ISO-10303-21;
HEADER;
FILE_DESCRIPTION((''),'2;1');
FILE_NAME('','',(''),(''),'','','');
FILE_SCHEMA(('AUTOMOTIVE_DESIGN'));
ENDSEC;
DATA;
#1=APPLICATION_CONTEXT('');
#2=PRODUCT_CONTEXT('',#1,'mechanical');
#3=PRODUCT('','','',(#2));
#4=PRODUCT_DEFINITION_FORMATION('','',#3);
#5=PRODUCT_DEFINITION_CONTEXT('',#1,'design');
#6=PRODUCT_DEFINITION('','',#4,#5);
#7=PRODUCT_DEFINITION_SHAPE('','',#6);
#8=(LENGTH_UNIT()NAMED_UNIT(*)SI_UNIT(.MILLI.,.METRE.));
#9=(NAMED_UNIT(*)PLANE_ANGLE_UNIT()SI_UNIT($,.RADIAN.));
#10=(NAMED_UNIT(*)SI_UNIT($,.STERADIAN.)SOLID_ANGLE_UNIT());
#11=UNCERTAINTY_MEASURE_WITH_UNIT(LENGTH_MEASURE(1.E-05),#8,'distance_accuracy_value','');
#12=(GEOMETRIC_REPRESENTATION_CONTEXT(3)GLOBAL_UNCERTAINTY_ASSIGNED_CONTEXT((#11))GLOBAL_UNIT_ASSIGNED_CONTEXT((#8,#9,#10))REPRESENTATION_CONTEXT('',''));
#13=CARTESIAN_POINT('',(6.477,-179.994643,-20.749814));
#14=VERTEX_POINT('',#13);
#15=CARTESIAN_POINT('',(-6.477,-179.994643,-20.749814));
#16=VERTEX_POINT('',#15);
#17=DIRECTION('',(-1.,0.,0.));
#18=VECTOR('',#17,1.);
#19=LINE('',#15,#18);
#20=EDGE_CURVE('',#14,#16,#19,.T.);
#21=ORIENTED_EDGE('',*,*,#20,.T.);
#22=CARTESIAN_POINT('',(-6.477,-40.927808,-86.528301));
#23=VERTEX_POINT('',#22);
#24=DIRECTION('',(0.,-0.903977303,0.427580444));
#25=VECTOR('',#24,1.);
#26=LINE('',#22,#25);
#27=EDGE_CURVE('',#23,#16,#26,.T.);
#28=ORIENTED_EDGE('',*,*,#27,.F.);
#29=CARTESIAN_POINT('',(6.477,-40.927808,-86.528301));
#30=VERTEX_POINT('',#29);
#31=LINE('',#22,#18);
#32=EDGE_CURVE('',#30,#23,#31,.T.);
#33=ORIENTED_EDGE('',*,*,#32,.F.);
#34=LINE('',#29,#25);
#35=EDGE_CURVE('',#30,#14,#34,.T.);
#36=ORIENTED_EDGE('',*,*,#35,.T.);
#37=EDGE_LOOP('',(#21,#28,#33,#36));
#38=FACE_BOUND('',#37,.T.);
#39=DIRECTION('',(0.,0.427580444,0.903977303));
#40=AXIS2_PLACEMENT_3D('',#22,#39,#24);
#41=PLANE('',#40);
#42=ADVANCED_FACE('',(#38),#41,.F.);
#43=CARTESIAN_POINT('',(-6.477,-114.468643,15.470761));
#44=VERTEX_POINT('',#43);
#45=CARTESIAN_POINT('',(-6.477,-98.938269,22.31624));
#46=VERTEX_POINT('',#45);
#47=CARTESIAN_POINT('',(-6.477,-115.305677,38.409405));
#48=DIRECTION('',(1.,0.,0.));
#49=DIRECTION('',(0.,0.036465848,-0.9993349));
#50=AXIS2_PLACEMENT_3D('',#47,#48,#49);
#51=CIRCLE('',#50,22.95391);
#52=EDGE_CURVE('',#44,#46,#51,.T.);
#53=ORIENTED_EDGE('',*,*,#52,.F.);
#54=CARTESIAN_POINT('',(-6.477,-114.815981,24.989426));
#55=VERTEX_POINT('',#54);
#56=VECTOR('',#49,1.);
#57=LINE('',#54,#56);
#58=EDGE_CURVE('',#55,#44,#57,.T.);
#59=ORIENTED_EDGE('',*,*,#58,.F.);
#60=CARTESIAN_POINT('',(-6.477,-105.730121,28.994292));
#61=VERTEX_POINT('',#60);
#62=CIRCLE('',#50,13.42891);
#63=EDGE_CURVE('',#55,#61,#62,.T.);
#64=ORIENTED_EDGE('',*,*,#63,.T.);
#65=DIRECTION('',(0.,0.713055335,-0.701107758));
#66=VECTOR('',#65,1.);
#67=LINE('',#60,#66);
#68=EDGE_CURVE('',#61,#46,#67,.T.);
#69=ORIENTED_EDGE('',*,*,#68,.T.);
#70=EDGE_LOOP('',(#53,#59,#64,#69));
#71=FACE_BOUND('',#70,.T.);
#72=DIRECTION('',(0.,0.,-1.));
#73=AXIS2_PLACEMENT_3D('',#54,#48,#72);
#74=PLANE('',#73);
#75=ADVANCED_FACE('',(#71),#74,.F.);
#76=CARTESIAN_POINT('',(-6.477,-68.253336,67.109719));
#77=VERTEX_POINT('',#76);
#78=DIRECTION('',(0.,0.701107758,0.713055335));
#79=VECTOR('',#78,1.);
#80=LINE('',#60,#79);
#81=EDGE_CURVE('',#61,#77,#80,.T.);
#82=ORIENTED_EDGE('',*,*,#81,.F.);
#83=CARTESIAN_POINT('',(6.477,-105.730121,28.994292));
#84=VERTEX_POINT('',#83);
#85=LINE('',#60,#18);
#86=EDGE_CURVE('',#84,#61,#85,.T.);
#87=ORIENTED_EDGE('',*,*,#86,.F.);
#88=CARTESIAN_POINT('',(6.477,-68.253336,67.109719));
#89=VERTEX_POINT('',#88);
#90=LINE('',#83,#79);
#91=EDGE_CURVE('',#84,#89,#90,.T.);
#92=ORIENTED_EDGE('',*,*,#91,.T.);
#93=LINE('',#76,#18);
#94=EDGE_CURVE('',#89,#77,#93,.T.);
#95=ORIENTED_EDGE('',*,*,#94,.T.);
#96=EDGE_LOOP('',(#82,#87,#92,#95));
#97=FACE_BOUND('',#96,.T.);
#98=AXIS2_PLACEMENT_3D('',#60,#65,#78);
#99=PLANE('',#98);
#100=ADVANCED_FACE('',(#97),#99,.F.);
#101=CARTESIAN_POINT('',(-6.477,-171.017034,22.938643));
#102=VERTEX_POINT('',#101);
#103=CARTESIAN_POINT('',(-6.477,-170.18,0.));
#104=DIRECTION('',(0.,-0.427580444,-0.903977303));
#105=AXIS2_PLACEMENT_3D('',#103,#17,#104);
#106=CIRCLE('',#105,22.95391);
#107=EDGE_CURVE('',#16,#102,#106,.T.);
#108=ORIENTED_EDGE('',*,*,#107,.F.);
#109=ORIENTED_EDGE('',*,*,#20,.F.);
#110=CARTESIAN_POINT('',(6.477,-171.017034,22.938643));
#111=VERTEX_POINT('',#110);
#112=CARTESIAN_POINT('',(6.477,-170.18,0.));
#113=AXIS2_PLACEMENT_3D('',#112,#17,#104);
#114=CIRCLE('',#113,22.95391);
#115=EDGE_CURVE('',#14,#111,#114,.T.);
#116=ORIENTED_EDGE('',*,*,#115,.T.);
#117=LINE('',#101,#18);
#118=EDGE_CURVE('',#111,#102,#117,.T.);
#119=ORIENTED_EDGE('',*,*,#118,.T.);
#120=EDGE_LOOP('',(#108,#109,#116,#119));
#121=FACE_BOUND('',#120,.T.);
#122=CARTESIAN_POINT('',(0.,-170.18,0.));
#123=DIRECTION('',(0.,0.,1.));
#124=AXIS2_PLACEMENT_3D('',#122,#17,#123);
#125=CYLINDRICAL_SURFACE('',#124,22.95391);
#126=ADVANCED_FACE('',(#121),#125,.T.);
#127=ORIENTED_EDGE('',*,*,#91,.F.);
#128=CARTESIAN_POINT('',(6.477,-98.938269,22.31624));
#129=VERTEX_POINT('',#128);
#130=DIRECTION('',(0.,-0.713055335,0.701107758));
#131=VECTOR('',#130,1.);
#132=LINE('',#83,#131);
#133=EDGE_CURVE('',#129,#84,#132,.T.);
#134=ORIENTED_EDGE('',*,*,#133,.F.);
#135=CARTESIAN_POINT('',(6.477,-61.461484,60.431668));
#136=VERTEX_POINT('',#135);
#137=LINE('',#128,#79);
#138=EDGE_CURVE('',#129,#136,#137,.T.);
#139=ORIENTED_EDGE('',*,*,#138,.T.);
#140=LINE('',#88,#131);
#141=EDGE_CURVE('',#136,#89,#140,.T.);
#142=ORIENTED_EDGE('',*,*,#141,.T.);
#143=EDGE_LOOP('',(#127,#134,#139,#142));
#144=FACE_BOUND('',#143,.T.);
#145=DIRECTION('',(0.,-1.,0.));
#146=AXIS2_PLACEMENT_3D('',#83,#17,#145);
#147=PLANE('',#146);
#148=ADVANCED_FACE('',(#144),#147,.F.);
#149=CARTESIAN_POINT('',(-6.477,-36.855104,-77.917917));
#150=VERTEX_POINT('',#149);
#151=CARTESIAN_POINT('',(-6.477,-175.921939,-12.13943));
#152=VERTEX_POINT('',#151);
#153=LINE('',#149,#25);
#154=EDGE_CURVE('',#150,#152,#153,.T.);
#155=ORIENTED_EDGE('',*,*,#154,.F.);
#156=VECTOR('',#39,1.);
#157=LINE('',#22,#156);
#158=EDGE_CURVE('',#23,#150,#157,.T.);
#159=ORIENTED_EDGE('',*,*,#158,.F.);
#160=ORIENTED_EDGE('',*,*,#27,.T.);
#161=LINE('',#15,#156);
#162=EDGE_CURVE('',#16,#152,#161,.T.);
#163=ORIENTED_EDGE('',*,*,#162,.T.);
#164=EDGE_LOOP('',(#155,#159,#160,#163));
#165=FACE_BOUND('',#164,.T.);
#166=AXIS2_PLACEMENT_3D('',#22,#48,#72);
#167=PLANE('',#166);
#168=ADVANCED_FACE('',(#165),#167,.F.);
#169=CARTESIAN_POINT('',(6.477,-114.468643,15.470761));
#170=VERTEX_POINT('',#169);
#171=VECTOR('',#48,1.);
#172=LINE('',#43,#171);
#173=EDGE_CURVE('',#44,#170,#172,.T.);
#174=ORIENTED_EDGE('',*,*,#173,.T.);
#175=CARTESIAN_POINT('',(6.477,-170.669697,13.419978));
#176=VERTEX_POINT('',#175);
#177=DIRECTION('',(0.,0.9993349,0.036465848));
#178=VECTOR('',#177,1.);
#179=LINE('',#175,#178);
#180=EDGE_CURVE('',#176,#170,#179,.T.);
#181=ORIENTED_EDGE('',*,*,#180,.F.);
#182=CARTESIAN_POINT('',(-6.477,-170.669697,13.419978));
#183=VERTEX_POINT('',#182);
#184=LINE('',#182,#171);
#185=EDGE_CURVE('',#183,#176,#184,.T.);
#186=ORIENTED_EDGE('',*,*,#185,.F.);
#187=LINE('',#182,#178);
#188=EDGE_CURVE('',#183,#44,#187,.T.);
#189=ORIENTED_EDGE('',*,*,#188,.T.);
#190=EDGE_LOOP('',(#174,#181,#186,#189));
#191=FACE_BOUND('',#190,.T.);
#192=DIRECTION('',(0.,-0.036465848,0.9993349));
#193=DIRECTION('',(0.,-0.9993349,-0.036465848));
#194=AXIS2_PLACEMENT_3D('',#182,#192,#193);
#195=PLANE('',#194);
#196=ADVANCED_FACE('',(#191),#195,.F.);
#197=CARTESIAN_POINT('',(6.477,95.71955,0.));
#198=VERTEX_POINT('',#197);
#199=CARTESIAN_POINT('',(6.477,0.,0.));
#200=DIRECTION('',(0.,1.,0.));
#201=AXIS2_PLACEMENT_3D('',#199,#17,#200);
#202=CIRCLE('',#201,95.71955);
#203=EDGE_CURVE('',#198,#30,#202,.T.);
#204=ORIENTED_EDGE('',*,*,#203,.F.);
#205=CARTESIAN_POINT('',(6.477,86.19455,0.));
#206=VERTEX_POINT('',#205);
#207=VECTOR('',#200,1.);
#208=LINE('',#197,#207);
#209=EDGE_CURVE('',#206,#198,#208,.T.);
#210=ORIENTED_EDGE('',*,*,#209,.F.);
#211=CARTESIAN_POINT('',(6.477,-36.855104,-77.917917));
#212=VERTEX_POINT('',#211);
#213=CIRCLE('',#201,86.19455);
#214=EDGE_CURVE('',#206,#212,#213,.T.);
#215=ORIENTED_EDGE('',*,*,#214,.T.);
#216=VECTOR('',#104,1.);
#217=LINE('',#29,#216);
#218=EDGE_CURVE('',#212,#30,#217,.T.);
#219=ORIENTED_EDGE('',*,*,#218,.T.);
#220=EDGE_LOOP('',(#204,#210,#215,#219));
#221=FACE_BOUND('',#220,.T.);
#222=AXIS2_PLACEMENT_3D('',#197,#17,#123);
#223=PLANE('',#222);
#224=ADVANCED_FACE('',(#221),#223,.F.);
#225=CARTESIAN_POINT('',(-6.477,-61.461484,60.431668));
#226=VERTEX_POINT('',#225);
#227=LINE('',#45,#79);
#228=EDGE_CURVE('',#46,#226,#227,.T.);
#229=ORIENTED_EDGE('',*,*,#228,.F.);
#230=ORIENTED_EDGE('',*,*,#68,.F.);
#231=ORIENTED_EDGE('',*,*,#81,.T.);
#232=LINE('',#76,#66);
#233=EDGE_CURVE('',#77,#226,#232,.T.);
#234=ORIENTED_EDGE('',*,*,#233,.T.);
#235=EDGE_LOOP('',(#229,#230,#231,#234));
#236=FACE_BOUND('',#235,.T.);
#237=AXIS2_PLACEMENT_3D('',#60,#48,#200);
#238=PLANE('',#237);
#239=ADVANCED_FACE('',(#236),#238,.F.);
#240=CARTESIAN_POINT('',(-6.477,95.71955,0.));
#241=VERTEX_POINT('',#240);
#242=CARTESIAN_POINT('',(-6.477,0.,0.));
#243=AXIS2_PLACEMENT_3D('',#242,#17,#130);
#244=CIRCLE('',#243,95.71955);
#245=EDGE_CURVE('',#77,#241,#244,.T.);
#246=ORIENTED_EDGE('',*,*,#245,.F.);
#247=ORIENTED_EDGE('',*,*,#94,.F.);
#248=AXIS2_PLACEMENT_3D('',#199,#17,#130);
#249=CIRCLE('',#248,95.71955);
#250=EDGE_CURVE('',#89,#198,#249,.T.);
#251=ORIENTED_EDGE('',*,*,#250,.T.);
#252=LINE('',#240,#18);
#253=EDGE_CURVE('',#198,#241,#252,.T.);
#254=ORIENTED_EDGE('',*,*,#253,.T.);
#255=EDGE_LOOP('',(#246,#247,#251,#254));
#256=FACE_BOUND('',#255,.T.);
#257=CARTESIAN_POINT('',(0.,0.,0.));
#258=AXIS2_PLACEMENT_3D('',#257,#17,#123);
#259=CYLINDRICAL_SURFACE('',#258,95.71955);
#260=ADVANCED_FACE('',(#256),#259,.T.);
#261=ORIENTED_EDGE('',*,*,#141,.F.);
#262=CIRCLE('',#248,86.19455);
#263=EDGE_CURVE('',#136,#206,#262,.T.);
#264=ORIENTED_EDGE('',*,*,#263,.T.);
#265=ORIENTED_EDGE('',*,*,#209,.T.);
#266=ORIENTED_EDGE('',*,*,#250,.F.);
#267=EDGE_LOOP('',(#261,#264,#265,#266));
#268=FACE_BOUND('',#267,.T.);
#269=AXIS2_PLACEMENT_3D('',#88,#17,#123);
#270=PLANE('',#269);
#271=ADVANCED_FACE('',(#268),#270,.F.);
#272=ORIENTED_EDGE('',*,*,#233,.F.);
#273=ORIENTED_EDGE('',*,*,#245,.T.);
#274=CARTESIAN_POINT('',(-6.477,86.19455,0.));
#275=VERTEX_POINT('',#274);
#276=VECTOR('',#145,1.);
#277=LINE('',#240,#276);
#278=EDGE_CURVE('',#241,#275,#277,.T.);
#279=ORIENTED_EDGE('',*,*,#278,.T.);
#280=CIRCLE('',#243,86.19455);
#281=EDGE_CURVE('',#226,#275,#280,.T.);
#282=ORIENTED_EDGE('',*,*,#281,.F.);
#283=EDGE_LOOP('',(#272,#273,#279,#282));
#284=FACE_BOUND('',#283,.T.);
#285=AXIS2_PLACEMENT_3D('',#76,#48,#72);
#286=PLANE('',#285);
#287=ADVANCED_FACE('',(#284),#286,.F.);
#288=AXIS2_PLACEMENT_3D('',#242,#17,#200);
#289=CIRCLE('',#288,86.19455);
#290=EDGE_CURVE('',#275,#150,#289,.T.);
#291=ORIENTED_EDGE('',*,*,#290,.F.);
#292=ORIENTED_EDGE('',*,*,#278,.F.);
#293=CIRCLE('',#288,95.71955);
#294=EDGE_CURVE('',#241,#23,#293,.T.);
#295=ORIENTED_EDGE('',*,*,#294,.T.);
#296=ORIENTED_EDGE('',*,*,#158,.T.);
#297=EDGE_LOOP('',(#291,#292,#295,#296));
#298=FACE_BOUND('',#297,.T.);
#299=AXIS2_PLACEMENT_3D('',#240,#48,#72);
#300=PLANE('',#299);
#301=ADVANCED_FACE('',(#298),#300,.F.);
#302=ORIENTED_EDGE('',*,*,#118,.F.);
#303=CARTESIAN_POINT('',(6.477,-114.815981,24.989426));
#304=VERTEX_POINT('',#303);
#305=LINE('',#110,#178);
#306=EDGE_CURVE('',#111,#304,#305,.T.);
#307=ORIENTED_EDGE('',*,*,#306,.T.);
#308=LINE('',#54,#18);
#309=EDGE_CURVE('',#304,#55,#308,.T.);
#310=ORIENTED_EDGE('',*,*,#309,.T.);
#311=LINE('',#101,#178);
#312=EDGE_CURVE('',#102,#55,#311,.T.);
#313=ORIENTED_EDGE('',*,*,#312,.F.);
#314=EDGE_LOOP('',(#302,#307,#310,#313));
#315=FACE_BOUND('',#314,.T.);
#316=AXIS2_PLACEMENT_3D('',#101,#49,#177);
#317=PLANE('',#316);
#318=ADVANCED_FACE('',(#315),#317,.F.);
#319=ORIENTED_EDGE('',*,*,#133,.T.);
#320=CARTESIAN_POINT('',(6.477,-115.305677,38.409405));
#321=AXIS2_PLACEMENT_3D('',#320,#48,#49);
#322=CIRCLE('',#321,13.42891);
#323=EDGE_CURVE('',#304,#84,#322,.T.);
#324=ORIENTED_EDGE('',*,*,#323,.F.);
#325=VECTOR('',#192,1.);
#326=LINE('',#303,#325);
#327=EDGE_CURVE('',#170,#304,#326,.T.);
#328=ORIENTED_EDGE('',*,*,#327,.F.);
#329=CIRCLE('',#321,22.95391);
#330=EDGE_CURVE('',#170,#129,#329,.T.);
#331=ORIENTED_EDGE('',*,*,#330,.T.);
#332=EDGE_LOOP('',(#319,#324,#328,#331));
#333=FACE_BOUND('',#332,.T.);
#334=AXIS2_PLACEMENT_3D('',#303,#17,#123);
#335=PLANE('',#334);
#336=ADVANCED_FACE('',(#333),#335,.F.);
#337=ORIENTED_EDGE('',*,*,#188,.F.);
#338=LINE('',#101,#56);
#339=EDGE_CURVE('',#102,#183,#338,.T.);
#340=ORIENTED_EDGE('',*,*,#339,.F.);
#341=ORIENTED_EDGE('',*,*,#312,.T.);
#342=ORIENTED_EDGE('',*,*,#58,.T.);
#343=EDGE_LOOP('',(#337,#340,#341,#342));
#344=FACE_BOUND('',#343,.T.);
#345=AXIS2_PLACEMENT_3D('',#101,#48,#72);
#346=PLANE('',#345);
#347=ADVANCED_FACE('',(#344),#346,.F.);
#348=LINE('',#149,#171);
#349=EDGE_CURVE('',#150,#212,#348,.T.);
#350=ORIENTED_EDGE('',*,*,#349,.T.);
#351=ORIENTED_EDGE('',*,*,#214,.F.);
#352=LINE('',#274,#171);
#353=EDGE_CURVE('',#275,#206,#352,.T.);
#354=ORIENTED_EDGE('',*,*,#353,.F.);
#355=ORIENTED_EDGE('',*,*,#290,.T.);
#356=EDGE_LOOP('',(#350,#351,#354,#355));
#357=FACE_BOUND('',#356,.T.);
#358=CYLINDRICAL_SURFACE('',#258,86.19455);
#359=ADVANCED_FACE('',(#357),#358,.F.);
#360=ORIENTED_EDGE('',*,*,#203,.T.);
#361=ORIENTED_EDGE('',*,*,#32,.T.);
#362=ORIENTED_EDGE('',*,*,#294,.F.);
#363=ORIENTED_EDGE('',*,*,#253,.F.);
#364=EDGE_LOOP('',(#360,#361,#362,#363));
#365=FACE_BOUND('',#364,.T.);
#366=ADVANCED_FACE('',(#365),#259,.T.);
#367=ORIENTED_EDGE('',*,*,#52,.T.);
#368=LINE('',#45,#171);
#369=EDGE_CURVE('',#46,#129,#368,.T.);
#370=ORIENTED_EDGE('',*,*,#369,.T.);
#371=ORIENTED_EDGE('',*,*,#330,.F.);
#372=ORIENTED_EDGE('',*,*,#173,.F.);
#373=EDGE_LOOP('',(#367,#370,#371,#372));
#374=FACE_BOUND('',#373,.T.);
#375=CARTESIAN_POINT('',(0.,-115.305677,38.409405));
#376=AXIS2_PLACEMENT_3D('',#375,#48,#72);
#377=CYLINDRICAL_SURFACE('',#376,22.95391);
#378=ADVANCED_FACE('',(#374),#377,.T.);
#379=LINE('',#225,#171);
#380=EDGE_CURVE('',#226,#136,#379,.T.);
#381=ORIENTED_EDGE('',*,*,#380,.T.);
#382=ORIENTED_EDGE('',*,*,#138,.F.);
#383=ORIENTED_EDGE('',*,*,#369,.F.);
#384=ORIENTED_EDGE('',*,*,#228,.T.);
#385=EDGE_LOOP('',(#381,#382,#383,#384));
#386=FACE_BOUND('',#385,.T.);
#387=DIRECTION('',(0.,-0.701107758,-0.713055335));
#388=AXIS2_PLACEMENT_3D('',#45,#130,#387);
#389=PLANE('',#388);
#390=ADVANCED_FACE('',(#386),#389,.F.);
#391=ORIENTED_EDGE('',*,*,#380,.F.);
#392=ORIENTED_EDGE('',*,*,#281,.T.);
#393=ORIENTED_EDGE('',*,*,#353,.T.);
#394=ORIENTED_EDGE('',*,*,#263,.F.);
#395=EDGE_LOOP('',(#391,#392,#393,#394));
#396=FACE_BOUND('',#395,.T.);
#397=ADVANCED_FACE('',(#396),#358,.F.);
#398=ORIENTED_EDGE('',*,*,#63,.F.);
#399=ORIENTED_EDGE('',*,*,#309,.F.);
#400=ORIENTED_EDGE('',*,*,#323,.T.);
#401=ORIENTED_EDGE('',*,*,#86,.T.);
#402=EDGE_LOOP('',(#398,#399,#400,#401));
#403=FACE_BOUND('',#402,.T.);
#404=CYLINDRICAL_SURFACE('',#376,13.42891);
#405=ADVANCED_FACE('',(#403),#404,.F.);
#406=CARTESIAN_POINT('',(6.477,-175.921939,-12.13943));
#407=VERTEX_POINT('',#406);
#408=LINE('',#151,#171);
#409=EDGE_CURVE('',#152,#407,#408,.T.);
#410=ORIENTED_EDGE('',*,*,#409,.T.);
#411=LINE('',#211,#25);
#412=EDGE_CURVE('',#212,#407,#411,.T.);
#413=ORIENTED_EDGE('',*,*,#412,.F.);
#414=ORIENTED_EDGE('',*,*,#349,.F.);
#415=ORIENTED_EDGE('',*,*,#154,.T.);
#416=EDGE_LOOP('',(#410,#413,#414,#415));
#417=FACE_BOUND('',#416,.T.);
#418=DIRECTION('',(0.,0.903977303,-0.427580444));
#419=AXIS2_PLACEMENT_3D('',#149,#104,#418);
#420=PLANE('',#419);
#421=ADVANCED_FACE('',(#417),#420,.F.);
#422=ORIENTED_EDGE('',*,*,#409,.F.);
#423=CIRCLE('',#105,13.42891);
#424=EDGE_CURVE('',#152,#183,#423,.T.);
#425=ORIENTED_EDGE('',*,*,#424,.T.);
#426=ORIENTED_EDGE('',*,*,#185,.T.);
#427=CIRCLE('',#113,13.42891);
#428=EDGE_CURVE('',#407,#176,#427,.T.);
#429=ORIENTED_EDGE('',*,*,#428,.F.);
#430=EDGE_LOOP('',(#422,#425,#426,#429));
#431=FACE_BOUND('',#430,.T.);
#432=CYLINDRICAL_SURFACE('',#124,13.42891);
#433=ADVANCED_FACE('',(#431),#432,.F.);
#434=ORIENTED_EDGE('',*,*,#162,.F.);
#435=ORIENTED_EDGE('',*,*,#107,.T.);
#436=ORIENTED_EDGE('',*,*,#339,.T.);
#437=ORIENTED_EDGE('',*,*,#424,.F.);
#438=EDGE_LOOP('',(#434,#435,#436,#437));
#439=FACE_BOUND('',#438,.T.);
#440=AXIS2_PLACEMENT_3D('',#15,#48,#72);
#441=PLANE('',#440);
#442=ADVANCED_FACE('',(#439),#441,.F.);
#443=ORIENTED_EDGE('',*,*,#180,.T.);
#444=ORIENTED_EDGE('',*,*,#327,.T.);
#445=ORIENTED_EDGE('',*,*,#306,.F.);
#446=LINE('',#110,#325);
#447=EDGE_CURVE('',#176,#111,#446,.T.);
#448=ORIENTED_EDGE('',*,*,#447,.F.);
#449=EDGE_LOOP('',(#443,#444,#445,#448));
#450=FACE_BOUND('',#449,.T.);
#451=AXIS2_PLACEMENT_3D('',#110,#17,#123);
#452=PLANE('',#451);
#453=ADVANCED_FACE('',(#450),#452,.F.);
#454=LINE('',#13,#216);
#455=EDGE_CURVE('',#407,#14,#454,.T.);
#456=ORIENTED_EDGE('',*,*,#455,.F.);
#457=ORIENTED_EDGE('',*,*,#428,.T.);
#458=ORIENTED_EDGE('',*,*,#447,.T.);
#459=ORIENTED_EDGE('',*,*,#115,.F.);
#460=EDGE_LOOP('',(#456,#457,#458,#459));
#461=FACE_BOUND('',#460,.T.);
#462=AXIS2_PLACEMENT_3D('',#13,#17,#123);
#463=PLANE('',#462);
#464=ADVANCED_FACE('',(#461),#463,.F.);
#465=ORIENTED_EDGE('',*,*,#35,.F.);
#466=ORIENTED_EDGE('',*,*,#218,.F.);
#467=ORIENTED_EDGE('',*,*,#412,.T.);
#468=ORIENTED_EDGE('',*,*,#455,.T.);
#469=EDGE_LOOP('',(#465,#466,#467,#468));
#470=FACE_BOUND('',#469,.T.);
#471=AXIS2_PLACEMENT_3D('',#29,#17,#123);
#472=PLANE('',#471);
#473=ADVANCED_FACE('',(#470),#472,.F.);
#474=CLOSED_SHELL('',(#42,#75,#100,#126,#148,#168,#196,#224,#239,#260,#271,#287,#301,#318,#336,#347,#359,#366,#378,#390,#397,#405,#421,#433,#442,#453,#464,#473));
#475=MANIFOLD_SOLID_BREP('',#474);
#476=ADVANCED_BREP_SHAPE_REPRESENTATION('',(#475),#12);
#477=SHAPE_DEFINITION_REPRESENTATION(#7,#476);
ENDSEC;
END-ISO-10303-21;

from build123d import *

# Parameters (mm, degrees)
SKETCH2_W = 12.954
SKETCH2_H = 9.525


with BuildPart() as part:
    # Sweep1: sweep along a path in Sketch1
    with BuildLine(Plane(origin=(0, 0, 0), x_dir=(0, 0, -1), z_dir=(1, 0, 0))) as sweep1_path:
        Line((16.44462174, -177.958291165), (82.2231087, -38.891455826))
        ThreePointArc((82.2231087, -38.891455826), (-15.927353777, 89.551685312), (-63.770693422, -64.857409762))
        Line((-63.770693422, -64.857409762), (-25.655266105, -102.334195206))
        ThreePointArc((-25.655266105, -102.334195206), (-21.763323864, -107.968416943), (-20.230093904, -114.642311973))
        Line((-20.230093904, -114.642311973), (-18.179310885, -170.843365185))
        ThreePointArc((-18.179310885, -170.843365185), (-3.66167032, -187.999078767), (16.44462174, -177.958291165))
    # Sketch2 → Sweep1 (sweep)
    with BuildSketch(Plane.XY):
        with Locations((0, 90.957049977)):
            Rectangle(SKETCH2_W, SKETCH2_H)
    sweep(path=sweep1_path.line)


solid = part.part
